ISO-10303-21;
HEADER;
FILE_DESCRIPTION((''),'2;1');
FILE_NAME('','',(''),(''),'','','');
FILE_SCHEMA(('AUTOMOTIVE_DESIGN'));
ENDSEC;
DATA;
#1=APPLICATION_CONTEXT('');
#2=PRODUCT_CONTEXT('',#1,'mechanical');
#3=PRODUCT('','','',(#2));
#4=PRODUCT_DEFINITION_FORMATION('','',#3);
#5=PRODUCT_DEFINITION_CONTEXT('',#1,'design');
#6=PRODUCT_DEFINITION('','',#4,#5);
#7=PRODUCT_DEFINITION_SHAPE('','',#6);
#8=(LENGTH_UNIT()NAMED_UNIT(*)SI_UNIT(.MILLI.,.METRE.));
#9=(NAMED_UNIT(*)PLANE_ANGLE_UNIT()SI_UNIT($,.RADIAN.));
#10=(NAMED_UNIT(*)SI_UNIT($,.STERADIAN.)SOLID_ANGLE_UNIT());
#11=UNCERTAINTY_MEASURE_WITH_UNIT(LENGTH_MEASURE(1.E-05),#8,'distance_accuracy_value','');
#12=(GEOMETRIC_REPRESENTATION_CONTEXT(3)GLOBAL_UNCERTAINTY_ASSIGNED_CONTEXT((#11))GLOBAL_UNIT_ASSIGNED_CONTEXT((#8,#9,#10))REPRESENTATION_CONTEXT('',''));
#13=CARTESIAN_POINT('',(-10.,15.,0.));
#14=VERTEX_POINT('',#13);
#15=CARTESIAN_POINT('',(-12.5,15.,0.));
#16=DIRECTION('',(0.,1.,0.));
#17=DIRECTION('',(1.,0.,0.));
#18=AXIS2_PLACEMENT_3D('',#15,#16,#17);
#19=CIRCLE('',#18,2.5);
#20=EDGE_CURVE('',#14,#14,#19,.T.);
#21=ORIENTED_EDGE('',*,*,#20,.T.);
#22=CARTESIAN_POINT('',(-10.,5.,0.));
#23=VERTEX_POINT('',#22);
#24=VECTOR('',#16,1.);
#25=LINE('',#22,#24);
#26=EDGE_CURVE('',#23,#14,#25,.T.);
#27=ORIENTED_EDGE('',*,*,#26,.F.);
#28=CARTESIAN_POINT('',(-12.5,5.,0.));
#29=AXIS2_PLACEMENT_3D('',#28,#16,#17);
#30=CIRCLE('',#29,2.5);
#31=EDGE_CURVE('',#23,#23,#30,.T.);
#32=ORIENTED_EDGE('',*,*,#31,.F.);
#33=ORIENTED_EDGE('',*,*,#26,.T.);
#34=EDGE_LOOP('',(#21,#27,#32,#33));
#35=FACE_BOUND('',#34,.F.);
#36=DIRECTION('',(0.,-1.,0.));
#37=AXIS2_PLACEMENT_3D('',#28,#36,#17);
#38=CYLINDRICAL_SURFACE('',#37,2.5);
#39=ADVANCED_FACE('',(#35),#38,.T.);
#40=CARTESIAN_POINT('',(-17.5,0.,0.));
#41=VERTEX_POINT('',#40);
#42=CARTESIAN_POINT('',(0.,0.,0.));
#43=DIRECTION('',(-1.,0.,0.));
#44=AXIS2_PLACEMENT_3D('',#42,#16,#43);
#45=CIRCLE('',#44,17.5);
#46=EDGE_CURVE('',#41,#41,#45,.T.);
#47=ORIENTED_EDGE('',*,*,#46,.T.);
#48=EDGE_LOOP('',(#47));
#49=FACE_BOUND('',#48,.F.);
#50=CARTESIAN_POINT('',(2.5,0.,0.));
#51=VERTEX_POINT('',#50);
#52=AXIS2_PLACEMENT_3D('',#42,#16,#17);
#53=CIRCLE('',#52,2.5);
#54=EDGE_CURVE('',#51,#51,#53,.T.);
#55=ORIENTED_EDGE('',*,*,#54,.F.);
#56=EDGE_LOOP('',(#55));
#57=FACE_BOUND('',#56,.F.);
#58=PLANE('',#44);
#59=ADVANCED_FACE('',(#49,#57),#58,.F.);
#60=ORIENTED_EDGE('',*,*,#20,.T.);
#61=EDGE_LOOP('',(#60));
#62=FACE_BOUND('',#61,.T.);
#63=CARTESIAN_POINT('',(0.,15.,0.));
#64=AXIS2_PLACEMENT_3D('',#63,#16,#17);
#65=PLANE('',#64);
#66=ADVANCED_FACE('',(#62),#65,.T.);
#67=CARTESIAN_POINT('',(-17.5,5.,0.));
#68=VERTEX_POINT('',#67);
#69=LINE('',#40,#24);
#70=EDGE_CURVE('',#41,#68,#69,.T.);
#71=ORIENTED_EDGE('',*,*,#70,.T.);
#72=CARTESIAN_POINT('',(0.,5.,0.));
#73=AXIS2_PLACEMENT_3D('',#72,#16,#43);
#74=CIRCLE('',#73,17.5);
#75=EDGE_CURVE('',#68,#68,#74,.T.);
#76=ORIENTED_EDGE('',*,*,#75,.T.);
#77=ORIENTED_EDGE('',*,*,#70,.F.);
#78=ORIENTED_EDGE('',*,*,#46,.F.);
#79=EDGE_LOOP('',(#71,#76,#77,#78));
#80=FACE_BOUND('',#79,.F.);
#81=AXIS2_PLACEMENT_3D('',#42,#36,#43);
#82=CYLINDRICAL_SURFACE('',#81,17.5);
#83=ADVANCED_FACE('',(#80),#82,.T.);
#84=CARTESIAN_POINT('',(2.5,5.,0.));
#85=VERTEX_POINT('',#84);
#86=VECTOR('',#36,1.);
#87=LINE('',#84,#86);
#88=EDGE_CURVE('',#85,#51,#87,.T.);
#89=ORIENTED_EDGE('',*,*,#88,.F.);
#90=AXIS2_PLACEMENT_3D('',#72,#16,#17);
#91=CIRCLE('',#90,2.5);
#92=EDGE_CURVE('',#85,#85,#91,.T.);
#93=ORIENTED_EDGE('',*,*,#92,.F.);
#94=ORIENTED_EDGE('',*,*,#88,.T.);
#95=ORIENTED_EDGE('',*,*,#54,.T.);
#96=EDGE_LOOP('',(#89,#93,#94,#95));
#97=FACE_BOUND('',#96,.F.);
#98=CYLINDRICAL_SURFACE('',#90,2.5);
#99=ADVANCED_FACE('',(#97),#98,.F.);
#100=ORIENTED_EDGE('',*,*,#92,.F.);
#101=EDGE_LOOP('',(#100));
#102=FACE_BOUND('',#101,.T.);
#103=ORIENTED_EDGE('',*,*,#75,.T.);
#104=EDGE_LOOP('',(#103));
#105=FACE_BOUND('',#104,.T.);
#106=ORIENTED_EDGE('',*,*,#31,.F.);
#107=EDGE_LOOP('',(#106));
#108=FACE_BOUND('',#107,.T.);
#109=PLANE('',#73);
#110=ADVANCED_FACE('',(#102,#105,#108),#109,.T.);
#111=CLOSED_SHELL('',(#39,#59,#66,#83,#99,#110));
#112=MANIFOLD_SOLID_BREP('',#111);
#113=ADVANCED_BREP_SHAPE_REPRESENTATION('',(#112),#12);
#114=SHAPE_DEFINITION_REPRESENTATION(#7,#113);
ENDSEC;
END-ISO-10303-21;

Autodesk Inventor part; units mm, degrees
ref_plane "YZ Plane" through (0, 0, 0) normal (1, 0, 0) x (0, 1, 0)
ref_plane "XZ Plane" through (0, 0, 0) normal (0, 1, 0) x (-1, 0, 0)
ref_plane "XY Plane" through (0, 0, 0) normal (0, 0, 1) x (1, 0, 0)
sketch "Sketch1" plane through (0, 0, 0) normal (0, 1, 0) x (-1, 0, 0)
  circle A0 centre (0, 0) radius 17.5
  dimension "d0" = 35
extrude "Extrusion1" add sketch "Sketch1" along normal blind 5
sketch "Sketch2" plane through (0, 5, 0) normal (0, 1, 0) x (1, 0, 0)
  circle A0 centre (0, 0) radius 12.5 construction
  circle A1 centre (-12.5, 0) radius 2.5
  dimension "d3" = 25
  dimension "d4" = 5
extrude "Extrusion2" add sketch "Sketch2" along normal blind 10
sketch "Sketch3" plane through (0, 5, 0) normal (0, 1, 0) x (1, 0, 0)
  circle A0 centre (0, 0) radius 2.5
  dimension "d7" = 5
extrude "Extrusion3" cut sketch "Sketch3" against normal through all
properties part number "test1"
